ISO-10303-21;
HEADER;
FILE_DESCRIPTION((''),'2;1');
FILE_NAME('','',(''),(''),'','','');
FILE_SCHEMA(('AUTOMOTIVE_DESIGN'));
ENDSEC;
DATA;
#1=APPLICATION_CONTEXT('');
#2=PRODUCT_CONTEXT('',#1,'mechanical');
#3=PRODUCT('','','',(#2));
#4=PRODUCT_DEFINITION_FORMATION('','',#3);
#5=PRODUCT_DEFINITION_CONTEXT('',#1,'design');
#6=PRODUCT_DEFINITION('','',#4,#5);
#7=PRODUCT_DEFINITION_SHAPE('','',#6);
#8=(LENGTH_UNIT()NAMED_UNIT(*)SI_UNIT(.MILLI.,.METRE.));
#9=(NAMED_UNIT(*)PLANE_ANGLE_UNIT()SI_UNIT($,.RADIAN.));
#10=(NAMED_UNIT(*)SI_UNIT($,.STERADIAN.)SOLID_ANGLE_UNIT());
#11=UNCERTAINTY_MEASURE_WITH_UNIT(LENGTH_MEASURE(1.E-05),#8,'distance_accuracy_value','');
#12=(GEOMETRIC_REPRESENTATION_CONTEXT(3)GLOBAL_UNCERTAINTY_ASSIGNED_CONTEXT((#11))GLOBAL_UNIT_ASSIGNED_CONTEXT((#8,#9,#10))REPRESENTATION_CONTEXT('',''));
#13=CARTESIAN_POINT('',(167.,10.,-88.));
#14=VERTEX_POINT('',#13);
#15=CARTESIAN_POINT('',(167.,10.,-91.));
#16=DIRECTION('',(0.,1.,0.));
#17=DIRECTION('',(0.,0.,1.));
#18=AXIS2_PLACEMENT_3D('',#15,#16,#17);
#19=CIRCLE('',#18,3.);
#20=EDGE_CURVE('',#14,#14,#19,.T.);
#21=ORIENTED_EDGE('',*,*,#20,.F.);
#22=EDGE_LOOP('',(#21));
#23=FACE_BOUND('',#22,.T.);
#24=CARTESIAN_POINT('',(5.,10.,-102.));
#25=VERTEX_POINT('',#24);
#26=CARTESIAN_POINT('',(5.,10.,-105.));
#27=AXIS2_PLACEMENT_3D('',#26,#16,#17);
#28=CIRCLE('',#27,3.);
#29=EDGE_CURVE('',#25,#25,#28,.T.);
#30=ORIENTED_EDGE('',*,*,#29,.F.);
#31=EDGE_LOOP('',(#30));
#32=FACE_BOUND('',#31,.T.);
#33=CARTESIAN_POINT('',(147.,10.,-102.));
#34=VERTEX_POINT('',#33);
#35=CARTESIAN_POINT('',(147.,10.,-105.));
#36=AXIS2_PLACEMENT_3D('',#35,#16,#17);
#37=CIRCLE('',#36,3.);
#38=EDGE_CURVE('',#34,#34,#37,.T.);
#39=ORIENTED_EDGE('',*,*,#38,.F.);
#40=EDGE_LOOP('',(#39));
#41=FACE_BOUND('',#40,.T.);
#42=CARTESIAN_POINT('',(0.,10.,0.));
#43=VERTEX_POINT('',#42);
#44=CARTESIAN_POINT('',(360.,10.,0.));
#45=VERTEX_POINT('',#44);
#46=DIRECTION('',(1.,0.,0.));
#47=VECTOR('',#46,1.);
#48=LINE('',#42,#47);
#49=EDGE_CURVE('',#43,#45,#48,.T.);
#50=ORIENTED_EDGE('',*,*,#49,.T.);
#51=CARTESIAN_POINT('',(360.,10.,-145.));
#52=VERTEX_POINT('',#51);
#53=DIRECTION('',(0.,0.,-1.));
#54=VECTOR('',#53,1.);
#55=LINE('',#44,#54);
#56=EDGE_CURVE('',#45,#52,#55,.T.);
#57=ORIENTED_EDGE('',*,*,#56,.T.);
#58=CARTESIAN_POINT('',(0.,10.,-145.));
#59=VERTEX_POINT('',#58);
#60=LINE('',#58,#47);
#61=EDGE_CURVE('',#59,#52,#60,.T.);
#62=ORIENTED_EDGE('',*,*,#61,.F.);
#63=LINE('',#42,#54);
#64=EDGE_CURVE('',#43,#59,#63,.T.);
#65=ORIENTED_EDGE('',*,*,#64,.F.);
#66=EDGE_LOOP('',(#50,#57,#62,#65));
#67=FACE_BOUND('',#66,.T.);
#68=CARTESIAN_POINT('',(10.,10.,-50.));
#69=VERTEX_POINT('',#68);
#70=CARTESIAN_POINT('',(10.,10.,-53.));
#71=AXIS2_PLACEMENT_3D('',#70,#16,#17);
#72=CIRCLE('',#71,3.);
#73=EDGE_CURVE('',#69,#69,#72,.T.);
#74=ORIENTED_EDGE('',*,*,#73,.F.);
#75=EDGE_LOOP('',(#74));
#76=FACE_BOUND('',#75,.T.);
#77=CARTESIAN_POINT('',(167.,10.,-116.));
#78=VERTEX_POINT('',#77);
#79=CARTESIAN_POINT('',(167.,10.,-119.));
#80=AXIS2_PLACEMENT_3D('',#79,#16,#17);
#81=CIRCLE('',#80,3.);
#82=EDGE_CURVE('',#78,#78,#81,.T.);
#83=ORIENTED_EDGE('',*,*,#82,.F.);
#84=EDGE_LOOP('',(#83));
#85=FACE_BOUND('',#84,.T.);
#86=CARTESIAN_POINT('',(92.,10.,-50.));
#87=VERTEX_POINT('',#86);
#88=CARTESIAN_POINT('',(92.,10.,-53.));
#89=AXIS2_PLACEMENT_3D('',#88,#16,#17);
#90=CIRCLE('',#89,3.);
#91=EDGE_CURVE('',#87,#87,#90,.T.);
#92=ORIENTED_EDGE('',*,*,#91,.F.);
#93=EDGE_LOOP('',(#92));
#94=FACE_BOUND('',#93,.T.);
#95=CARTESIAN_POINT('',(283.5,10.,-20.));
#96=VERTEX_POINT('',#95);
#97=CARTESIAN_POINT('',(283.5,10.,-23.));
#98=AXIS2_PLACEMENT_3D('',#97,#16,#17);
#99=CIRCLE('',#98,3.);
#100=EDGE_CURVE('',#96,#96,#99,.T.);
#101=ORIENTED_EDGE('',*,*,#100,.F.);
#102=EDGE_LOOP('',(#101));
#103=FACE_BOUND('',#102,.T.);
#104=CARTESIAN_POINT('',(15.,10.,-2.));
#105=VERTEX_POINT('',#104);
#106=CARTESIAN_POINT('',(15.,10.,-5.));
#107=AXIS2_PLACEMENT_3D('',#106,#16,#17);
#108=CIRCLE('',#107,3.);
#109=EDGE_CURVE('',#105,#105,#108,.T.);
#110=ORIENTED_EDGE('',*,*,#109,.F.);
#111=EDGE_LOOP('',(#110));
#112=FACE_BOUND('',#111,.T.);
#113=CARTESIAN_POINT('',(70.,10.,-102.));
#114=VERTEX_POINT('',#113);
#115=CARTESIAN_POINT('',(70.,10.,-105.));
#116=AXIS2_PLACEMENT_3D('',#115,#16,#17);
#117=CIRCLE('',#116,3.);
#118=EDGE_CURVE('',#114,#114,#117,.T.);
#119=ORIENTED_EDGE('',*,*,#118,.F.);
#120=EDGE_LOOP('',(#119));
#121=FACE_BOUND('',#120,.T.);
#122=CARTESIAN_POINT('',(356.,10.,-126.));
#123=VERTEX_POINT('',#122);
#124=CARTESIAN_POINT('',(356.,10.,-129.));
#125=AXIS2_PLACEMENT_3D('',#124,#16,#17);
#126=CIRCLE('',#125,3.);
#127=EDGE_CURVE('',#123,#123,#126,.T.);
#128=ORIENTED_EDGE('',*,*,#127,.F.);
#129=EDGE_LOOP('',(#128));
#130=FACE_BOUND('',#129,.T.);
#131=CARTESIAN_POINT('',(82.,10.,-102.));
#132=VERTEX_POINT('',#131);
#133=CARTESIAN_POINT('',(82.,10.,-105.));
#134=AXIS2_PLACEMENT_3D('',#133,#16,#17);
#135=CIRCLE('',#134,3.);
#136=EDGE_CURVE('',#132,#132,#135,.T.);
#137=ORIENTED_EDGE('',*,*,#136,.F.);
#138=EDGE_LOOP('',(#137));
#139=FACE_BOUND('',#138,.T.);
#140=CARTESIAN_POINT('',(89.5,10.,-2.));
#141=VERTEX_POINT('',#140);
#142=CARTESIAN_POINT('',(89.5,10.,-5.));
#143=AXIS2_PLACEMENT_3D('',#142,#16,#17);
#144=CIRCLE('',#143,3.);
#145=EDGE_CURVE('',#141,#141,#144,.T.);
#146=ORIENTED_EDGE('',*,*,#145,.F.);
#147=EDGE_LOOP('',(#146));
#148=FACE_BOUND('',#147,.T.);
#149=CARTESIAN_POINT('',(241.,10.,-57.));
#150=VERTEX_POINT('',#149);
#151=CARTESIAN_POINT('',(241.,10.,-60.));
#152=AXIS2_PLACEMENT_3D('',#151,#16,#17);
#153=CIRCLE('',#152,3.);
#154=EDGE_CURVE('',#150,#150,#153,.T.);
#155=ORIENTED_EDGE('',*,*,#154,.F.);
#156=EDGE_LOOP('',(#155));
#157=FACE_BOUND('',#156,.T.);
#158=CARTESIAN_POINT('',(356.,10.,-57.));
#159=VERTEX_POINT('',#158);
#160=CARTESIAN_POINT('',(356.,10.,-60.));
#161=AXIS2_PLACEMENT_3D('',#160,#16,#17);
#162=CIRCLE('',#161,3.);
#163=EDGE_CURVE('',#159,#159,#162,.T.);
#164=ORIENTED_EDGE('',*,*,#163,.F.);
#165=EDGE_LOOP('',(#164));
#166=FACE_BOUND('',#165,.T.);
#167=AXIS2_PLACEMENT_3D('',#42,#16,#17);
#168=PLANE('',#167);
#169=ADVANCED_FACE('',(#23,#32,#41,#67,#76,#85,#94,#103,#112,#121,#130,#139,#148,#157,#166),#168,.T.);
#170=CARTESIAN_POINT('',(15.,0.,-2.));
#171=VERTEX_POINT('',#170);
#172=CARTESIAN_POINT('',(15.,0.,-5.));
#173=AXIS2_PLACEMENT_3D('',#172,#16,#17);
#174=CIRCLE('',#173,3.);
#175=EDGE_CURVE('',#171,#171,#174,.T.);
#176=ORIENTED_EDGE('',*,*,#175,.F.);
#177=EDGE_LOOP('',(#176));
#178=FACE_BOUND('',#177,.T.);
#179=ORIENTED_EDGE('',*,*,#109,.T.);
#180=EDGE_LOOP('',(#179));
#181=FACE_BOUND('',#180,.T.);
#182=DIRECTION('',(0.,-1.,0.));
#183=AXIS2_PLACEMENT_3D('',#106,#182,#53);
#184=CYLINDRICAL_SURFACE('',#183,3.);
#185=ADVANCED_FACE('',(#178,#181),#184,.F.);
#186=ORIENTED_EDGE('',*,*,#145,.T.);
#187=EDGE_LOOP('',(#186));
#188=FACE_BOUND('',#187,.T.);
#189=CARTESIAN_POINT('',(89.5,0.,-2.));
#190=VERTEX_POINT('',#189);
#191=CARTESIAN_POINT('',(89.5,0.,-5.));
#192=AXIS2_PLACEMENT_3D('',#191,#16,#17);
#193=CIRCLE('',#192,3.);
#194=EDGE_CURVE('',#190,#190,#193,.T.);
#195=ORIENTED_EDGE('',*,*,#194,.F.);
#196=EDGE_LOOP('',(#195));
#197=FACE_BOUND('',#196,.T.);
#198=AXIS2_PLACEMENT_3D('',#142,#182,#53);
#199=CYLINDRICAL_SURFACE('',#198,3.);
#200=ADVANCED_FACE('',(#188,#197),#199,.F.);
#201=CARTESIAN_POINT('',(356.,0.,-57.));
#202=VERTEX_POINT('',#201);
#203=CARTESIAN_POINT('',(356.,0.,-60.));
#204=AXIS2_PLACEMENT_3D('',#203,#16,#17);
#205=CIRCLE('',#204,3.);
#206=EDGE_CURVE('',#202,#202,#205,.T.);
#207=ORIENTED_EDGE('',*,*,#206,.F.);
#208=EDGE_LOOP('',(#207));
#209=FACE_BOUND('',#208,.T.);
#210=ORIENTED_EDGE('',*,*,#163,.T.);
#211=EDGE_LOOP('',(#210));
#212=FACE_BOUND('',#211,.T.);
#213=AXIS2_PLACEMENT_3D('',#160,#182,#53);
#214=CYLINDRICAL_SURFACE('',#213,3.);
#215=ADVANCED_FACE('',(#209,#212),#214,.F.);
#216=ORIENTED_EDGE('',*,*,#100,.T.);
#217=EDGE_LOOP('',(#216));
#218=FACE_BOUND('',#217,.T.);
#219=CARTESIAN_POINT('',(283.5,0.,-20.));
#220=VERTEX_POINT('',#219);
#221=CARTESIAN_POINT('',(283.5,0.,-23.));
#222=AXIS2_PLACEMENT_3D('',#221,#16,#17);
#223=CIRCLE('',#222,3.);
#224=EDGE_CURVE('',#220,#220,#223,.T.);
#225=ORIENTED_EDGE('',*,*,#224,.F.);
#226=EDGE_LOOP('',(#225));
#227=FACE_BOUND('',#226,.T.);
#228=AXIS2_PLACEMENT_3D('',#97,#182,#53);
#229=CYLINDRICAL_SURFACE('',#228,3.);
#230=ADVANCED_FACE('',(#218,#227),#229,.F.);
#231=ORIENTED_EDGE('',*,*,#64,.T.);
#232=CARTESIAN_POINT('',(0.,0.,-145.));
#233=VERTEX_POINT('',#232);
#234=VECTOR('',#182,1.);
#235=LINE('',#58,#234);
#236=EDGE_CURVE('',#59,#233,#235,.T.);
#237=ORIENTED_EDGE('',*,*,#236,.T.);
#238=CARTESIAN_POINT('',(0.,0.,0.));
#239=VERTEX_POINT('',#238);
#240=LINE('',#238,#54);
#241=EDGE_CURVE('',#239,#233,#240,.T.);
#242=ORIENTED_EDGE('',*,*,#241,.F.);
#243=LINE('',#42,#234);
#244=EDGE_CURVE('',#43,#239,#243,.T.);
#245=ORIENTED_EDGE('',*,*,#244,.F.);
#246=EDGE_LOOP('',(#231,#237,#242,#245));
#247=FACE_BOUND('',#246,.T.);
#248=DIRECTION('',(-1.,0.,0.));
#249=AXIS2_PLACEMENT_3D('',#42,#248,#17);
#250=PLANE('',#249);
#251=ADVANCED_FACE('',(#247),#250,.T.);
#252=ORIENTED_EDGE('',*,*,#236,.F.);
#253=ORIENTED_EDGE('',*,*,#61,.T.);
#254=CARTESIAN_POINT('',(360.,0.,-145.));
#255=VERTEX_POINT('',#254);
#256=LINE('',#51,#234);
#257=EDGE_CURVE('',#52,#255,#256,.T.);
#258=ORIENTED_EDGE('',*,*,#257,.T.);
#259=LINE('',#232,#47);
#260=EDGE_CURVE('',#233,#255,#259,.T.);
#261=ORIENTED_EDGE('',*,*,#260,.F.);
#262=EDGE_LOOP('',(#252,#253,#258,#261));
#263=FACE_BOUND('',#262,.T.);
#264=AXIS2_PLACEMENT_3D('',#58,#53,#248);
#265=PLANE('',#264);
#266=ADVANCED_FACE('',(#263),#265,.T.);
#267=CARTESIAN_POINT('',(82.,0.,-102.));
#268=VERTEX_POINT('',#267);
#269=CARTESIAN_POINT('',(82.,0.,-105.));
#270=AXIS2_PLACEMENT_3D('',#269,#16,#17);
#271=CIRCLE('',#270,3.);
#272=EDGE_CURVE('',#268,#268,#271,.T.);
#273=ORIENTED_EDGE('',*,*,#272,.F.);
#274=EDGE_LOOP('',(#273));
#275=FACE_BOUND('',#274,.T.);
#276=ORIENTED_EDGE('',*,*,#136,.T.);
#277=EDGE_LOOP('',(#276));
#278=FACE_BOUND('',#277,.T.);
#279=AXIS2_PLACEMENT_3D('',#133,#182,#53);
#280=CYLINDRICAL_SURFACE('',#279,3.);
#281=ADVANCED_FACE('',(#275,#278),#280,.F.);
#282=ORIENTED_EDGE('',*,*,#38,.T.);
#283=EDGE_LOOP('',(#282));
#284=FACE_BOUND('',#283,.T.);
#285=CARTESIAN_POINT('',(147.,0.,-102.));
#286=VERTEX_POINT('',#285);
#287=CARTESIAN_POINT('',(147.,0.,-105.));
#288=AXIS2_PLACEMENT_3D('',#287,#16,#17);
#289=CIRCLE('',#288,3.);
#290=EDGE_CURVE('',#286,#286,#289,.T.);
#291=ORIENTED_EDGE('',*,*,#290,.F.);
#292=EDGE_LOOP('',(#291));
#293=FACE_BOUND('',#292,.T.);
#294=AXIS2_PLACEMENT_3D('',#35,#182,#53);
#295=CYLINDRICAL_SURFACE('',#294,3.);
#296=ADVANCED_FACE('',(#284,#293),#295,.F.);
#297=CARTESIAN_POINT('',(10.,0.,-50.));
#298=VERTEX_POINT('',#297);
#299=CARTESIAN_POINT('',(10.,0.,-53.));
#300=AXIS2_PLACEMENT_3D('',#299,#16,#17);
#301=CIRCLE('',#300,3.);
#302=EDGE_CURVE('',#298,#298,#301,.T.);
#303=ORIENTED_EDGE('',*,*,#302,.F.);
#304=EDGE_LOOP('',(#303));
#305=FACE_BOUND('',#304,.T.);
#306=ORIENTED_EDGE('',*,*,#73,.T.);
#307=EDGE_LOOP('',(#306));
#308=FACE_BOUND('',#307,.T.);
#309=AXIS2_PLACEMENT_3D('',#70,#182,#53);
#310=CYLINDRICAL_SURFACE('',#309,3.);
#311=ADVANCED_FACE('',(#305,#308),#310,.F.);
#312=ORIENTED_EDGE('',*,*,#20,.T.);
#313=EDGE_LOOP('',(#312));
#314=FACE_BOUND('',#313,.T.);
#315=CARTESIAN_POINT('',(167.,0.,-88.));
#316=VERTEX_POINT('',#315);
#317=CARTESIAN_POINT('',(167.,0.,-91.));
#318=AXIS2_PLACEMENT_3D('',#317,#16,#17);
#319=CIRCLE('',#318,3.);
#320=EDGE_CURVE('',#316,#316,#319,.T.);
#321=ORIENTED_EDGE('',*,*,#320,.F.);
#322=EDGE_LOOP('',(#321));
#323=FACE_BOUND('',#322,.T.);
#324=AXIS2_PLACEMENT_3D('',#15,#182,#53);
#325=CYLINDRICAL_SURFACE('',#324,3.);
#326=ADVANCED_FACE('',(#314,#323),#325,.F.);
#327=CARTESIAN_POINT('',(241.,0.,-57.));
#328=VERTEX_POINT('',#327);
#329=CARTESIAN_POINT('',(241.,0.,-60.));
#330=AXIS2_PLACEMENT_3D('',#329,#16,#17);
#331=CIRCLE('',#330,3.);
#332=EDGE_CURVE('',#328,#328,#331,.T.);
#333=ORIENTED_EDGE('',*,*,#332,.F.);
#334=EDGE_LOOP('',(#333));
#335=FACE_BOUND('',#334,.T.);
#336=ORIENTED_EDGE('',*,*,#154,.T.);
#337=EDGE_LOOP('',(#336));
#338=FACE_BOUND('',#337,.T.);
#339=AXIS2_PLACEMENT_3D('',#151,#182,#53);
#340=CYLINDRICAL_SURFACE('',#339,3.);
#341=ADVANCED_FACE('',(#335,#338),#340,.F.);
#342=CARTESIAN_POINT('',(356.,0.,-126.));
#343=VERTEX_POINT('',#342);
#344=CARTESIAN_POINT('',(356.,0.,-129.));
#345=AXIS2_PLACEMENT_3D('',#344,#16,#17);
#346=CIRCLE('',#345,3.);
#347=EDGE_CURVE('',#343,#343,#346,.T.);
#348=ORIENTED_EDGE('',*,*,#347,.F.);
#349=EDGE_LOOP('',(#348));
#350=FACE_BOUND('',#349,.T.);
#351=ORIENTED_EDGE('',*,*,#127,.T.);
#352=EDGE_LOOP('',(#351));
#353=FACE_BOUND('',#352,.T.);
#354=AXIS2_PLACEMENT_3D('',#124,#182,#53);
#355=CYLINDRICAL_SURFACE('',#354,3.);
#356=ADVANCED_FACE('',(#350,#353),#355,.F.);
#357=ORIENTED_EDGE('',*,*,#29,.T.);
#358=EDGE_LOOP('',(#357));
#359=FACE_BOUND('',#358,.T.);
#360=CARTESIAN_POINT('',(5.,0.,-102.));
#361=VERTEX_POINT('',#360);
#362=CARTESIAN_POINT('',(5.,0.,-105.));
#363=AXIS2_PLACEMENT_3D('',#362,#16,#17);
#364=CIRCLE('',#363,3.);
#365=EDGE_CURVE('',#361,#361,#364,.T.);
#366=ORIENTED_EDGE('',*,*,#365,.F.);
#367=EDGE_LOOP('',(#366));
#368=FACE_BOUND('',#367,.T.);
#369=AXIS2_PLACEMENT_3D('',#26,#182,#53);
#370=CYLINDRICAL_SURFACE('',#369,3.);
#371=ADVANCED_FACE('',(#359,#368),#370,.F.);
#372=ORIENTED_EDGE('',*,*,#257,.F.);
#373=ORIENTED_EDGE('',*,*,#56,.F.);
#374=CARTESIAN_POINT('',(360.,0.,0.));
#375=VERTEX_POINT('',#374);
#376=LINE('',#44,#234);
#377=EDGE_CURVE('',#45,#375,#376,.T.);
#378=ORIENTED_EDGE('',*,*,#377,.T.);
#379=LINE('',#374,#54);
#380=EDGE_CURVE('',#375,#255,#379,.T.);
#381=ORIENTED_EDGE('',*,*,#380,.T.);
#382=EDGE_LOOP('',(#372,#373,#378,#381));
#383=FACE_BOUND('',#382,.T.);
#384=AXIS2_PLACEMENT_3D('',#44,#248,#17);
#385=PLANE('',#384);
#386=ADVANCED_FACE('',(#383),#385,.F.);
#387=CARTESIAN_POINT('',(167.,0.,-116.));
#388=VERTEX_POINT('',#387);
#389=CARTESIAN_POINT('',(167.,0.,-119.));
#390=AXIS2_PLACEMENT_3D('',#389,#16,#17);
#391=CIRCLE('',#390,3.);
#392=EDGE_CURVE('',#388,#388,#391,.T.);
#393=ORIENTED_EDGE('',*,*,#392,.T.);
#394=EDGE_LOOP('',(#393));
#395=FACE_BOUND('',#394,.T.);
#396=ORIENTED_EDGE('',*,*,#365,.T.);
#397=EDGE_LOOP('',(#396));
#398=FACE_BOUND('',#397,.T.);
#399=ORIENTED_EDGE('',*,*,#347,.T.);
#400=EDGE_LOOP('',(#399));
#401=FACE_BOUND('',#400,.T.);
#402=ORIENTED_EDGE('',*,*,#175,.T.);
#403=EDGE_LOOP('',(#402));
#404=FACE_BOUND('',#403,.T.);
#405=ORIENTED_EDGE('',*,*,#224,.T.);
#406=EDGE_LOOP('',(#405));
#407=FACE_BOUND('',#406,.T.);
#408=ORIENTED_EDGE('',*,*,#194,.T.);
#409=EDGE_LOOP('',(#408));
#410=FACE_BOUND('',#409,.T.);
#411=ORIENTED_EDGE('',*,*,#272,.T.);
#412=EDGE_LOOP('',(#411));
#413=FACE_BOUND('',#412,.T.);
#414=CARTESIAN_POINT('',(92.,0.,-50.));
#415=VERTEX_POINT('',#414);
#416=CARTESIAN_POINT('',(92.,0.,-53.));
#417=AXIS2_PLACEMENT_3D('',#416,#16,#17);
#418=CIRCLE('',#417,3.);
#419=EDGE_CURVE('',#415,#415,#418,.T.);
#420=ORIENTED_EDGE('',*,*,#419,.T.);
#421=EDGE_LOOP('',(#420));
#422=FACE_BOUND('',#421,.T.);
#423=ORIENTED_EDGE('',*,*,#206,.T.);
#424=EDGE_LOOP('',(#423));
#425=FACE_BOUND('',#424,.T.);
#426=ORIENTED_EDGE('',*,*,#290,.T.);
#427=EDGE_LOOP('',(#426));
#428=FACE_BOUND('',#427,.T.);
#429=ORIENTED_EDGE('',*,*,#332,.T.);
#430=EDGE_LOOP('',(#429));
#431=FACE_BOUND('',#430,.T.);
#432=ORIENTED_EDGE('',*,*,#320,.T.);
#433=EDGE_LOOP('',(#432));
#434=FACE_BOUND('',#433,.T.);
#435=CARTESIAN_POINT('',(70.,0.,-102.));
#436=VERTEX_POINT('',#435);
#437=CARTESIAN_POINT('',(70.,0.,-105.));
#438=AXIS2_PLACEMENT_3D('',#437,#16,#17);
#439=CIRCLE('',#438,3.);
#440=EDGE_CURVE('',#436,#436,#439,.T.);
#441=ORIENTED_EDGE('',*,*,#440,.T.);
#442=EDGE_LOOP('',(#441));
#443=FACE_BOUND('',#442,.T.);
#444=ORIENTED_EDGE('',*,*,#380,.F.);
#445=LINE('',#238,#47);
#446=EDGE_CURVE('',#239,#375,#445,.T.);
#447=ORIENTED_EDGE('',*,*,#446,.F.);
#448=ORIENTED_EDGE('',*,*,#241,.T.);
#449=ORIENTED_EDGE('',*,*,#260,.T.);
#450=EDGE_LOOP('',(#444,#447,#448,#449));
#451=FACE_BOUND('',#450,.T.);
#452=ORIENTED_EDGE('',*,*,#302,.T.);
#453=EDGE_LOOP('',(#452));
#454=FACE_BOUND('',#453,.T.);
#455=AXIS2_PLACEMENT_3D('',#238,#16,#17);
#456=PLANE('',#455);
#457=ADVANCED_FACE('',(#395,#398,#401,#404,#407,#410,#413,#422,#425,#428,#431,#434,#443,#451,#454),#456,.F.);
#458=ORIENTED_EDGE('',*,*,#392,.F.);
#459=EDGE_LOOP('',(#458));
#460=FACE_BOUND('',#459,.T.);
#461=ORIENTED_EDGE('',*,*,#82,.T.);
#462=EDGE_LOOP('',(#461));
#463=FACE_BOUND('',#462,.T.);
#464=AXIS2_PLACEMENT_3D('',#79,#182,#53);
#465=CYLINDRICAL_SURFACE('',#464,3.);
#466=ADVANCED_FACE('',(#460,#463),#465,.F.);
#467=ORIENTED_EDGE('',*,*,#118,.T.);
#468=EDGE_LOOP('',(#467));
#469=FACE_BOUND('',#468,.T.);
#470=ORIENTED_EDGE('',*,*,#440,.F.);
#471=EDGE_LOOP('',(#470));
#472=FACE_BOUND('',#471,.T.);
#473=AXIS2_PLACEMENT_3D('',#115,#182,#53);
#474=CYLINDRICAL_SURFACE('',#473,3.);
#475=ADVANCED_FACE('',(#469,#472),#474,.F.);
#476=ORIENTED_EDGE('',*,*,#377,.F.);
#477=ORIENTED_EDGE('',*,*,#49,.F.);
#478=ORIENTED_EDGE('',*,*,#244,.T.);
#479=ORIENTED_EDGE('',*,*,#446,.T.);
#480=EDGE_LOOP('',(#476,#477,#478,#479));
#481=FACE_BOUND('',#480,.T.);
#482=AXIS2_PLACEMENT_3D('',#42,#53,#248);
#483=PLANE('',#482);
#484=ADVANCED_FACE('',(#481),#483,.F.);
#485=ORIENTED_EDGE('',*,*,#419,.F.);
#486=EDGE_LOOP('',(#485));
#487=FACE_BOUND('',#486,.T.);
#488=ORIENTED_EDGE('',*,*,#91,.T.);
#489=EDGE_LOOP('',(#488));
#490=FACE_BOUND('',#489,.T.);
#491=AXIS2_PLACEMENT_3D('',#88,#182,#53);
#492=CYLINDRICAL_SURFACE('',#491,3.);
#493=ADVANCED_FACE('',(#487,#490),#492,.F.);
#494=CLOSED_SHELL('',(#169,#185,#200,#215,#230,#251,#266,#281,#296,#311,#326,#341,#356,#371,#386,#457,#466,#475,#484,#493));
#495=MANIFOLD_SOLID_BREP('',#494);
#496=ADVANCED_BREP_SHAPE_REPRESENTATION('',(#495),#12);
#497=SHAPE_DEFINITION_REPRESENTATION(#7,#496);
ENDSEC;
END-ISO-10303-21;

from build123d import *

# Parameters (mm, degrees)
SKETCH1_W           = 360
SKETCH1_H           = 145
SKETCH1_R           = 3
BOSS_EXTRUDE1_DEPTH = 10


with BuildPart() as part:
    # Sketch1 → Boss-Extrude1 (new body)
    with BuildSketch(Plane(origin=(0, 0, 0), x_dir=(1, 0, 0), z_dir=(0, 1, 0))):
        with Locations((180, 72.5)):
            Rectangle(SKETCH1_W, SKETCH1_H)
        with Locations((15, 5)):
            Circle(SKETCH1_R, mode=Mode.SUBTRACT)
        with Locations((10, 53)):
            Circle(SKETCH1_R, mode=Mode.SUBTRACT)
        with Locations((92, 53)):
            Circle(SKETCH1_R, mode=Mode.SUBTRACT)
        with Locations((89.5, 5)):
            Circle(SKETCH1_R, mode=Mode.SUBTRACT)
        with Locations((5, 105)):
            Circle(SKETCH1_R, mode=Mode.SUBTRACT)
        with Locations((70, 105)):
            Circle(SKETCH1_R, mode=Mode.SUBTRACT)
        with Locations((82, 105)):
            Circle(SKETCH1_R, mode=Mode.SUBTRACT)
        with Locations((147, 105)):
            Circle(SKETCH1_R, mode=Mode.SUBTRACT)
        with Locations((356, 60)):
            Circle(SKETCH1_R, mode=Mode.SUBTRACT)
        with Locations((356, 129)):
            Circle(SKETCH1_R, mode=Mode.SUBTRACT)
        with Locations((241, 60)):
            Circle(SKETCH1_R, mode=Mode.SUBTRACT)
        with Locations((283.5, 23)):
            Circle(SKETCH1_R, mode=Mode.SUBTRACT)
        with Locations((167, 91)):
            Circle(SKETCH1_R, mode=Mode.SUBTRACT)
        with Locations((167, 119)):
            Circle(SKETCH1_R, mode=Mode.SUBTRACT)
    extrude(amount=BOSS_EXTRUDE1_DEPTH)


solid = part.part
